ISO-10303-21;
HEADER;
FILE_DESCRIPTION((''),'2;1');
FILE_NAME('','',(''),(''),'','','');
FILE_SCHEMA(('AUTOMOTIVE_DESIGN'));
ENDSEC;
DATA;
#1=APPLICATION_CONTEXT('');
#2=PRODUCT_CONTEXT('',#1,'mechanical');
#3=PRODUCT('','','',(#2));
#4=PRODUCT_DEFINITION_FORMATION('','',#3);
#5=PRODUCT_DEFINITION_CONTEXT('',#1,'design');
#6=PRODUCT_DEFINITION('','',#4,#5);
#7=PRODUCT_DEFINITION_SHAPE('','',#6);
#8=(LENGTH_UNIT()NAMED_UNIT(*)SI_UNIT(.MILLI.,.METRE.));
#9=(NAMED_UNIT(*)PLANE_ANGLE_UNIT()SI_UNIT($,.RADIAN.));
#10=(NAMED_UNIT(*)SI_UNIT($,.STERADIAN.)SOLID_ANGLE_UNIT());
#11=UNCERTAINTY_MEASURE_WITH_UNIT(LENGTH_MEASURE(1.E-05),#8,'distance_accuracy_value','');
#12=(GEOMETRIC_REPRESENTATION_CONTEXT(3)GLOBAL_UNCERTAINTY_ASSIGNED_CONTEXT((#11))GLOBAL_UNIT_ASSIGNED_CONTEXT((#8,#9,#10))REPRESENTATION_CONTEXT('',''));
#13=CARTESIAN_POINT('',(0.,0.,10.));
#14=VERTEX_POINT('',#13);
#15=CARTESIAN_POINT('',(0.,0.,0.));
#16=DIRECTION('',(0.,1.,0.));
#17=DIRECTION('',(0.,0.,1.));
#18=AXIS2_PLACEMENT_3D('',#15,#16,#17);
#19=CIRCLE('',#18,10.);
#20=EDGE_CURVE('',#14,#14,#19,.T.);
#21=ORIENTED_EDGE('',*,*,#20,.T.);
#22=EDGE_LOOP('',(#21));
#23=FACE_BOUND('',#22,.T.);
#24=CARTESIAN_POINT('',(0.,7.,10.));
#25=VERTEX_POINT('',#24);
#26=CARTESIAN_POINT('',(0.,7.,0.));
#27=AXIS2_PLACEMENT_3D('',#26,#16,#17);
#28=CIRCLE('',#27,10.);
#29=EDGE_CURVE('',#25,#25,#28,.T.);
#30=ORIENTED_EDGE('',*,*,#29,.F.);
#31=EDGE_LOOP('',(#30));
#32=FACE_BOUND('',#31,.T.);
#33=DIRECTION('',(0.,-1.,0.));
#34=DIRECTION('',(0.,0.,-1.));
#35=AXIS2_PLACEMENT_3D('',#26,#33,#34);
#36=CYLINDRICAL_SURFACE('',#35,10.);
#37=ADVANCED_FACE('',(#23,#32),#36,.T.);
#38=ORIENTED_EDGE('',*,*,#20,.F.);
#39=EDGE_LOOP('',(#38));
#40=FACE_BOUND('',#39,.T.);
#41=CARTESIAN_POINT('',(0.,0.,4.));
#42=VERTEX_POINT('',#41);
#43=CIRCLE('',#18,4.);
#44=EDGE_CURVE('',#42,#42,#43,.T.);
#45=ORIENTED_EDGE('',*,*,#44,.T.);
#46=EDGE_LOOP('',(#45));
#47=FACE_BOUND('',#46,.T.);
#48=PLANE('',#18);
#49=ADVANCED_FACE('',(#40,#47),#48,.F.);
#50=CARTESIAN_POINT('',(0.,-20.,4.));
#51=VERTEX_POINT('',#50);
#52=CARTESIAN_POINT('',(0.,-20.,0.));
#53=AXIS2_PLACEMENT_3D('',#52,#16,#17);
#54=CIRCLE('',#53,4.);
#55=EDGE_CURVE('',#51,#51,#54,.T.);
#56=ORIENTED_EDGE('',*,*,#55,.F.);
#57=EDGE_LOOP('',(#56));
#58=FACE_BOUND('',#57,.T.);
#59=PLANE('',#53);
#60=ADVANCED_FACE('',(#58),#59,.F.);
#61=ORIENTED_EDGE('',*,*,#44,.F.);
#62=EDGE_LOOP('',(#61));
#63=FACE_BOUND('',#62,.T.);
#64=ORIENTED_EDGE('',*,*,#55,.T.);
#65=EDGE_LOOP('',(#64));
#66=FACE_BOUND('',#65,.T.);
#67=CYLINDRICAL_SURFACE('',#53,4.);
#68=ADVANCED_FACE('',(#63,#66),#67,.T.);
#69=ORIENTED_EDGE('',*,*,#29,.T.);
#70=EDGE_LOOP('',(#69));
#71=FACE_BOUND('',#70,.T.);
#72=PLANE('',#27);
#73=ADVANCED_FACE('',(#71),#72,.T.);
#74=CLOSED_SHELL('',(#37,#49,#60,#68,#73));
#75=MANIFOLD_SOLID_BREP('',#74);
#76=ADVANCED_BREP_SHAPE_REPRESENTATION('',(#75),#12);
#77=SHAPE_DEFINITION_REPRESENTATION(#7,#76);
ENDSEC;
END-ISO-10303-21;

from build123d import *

# Parameters (mm, degrees)
SKETCH1_R           = 10
BOSS_EXTRUDE1_DEPTH = 7
SKETCH1_3_R         = 4
BOSS_EXTRUDE2_DEPTH = 20


with BuildPart() as part:
    # Sketch1 → Boss-Extrude1 (new body)
    with BuildSketch(Plane(origin=(0, 0, 0), x_dir=(1, 0, 0), z_dir=(0, 1, 0))):
        Circle(SKETCH1_R)
    extrude(amount=BOSS_EXTRUDE1_DEPTH)

    # Sketch1<3> → Boss-Extrude2 (add)
    with BuildSketch(Plane(origin=(0, 0, 0), x_dir=(1, 0, 0), z_dir=(0, 1, 0))):
        Circle(SKETCH1_3_R)
    extrude(amount=-BOSS_EXTRUDE2_DEPTH)


solid = part.part
